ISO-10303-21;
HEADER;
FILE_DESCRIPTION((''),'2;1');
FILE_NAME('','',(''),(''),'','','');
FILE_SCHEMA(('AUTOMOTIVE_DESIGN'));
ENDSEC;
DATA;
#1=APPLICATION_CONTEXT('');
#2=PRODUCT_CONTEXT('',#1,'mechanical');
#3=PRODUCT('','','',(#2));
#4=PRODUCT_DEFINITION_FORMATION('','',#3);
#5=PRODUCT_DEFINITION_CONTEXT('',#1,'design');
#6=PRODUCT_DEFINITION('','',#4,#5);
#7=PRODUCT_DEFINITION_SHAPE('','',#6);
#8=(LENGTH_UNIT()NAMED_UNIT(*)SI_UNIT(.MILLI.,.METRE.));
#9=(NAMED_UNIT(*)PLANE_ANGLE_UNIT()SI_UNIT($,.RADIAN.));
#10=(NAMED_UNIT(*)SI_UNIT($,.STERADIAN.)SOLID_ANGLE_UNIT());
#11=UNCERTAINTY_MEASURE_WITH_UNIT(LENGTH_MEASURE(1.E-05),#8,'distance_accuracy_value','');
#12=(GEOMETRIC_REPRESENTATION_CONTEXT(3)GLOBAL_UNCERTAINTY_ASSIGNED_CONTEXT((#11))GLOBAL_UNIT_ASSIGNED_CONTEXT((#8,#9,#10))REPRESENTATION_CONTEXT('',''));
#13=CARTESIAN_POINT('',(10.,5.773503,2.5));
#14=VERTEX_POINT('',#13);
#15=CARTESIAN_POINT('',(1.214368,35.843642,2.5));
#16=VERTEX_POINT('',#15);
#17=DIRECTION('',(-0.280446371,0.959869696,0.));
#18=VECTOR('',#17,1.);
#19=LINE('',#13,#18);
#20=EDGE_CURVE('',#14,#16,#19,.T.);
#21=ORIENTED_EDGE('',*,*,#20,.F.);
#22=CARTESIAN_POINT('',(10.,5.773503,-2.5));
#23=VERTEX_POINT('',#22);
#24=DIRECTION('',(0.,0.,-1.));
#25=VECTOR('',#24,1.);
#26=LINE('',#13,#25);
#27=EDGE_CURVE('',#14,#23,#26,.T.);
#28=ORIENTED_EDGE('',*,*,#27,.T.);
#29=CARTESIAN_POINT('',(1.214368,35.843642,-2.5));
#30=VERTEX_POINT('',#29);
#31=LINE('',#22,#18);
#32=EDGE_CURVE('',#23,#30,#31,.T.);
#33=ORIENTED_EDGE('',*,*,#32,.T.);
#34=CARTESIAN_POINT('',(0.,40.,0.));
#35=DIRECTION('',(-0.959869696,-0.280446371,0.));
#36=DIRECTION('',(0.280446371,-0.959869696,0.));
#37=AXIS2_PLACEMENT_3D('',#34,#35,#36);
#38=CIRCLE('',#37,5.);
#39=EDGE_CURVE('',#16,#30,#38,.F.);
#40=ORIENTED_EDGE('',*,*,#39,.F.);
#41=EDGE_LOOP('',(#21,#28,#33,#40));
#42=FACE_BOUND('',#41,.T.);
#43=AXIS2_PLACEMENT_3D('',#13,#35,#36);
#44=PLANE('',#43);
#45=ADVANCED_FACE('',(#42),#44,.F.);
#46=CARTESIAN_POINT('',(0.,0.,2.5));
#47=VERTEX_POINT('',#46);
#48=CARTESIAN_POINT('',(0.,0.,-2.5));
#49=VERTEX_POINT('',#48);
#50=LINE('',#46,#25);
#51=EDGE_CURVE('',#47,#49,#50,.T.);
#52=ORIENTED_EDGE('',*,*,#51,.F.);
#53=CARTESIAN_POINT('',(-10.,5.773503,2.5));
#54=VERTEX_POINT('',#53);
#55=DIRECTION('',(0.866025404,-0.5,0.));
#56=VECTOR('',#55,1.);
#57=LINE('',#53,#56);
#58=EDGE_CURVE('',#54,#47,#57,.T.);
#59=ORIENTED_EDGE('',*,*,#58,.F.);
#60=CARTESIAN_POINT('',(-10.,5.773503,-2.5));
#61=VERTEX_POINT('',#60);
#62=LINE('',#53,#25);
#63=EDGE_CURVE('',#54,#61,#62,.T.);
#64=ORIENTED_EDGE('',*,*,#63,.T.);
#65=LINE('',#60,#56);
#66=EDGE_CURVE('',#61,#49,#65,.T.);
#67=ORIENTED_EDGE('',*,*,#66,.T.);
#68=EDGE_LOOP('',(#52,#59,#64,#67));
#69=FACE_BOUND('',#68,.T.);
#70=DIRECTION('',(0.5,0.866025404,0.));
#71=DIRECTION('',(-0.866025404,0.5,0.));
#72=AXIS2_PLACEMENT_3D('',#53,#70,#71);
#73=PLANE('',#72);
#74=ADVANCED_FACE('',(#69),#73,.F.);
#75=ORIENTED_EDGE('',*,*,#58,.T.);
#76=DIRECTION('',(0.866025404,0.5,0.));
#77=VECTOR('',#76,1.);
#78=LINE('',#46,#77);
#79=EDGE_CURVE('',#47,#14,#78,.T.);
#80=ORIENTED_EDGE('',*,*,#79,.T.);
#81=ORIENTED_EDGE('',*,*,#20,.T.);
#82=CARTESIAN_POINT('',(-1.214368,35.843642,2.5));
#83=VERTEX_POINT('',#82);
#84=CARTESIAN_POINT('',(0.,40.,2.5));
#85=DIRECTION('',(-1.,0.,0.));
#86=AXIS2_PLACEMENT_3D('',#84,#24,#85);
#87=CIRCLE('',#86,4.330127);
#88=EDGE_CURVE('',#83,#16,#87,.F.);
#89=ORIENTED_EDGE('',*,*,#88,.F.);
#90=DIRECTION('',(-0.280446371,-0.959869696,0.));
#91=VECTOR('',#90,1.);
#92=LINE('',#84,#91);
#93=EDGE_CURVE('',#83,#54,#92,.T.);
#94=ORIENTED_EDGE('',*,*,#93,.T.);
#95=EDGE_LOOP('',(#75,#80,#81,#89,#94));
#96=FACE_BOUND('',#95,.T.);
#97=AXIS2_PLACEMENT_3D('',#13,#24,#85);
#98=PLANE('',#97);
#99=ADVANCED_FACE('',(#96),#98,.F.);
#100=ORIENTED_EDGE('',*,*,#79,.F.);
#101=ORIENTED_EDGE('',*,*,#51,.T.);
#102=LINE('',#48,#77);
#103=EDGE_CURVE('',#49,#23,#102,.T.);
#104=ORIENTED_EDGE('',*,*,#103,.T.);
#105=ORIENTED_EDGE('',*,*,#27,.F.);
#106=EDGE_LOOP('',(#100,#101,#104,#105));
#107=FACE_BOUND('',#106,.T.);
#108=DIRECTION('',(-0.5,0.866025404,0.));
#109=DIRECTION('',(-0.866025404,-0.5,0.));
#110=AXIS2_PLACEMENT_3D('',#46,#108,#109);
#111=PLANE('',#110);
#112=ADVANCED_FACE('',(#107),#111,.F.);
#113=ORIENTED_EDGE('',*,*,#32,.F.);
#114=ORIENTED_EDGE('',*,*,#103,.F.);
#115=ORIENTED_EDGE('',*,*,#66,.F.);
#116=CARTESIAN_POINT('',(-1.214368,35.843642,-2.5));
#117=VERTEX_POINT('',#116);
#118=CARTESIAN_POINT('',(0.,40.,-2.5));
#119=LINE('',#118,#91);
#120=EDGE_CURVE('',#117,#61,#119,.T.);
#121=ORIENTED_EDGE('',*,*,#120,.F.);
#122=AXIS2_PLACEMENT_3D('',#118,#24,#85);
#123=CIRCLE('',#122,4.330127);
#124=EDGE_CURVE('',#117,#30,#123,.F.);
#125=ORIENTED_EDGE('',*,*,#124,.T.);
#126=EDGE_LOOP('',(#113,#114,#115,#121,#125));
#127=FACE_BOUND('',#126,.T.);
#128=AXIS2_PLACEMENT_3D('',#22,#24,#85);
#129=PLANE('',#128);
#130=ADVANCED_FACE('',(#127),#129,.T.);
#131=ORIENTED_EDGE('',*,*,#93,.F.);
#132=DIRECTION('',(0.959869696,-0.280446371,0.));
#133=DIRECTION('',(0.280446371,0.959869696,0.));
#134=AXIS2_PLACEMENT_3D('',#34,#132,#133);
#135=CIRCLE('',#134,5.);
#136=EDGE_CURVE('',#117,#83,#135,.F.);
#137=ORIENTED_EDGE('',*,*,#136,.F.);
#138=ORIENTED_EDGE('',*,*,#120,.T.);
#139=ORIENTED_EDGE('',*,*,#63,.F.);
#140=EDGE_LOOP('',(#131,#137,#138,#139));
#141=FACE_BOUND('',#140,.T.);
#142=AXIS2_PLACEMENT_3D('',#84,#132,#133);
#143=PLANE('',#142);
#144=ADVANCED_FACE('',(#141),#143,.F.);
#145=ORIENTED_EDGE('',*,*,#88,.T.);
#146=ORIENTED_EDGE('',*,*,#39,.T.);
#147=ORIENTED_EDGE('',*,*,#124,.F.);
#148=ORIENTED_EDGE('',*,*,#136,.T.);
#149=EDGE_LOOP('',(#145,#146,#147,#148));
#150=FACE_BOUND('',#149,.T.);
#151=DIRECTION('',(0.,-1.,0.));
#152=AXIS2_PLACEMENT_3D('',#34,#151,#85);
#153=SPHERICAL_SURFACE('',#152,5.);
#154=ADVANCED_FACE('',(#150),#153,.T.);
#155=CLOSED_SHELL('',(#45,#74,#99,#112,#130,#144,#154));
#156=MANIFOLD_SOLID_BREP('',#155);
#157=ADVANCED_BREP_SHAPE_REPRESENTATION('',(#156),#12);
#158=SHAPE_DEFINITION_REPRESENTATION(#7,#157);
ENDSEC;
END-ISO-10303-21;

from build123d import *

# Parameters (mm, degrees)
AUFSATZ_LINEAR_AUSTRAGEN1_DEPTH = 2.5


with BuildPart() as part:
    # Skizze1 → Rotation1 (revolve)
    with BuildSketch(Plane.XY):
        with BuildLine():
            Line((0, 45), (0, 35))
            ThreePointArc((0, 35), (5, 40), (0, 45))
        make_face()
    revolve(axis=Axis((0, 0, 0), (0, 1, 0)))

    # Skizze2 → Aufsatz-Linear austragen1 (add, symmetric)
    with BuildSketch(Plane.XY):
        Polygon((0, 40), (-10, 5.773502692), (0, 0), (10, 5.773502692), align=None)
    extrude(amount=AUFSATZ_LINEAR_AUSTRAGEN1_DEPTH, both=True)


solid = part.part
